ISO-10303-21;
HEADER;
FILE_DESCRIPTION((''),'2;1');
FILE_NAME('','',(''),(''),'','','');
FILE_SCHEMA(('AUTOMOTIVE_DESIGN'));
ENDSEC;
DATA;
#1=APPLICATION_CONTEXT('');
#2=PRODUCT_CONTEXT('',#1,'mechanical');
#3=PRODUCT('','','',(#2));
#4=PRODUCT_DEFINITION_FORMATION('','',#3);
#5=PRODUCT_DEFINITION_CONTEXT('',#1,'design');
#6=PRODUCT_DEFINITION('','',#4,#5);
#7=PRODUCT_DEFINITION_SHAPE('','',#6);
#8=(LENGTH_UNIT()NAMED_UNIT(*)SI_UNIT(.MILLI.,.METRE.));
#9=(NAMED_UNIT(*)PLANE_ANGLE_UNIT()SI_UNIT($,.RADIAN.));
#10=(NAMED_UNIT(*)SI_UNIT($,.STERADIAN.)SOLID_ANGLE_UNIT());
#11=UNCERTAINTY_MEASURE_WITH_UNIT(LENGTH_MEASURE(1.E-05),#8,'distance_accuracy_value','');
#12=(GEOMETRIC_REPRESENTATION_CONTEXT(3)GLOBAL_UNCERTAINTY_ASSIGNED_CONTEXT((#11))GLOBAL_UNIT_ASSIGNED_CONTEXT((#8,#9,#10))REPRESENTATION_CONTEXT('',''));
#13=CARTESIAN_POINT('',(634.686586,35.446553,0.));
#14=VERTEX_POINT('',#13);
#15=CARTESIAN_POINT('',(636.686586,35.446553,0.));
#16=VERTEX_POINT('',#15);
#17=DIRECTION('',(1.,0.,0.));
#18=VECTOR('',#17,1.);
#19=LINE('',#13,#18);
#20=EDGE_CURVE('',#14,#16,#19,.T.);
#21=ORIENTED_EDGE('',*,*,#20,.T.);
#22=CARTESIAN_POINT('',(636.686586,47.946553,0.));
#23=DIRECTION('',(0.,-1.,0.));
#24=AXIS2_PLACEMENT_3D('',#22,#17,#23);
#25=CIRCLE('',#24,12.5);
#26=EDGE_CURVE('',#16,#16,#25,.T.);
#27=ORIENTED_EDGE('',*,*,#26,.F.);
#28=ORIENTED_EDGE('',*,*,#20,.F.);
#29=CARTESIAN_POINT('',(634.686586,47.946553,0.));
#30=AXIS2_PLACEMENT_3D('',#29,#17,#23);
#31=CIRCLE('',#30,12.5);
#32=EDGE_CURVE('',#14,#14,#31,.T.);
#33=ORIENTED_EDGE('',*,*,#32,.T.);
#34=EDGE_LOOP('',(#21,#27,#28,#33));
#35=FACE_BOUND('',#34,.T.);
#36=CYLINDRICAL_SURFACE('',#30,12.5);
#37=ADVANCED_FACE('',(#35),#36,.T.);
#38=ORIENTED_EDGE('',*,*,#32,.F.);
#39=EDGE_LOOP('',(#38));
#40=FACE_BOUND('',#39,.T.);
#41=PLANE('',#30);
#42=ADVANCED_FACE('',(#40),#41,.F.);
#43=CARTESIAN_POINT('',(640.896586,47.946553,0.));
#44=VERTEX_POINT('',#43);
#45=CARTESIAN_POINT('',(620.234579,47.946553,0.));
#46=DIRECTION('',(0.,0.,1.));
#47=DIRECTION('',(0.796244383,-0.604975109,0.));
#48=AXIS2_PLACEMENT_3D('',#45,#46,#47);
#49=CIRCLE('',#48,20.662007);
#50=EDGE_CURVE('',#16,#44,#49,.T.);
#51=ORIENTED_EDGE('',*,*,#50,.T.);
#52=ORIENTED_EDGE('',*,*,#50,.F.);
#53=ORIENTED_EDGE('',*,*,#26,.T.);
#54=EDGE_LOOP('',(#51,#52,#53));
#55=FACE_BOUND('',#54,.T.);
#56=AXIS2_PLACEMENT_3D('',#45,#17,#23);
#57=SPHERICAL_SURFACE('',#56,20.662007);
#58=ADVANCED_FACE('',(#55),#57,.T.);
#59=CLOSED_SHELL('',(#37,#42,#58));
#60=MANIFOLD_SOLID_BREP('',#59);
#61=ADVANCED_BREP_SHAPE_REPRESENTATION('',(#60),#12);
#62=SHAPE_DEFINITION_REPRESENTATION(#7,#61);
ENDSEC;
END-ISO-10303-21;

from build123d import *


with BuildPart() as part:
    # 草图1 → 旋转1 (revolve)
    with BuildSketch(Plane.XY, mode=Mode.PRIVATE) as revolve_1_sk:
        with BuildLine():
            Line((634.686585925, 47.946553126), (634.686585925, 60.446553126))
            Line((634.686585925, 60.446553126), (636.686585925, 60.446553126))
            ThreePointArc((636.686585925, 60.446553126), (639.815820167, 54.541515218), (640.896585925, 47.946553126))
            Line((640.896585925, 47.946553126), (634.686585925, 47.946553126))
        make_face()
    revolve(revolve_1_sk.sketch.rotate(Axis((632.657478347, 47.946553126, 0), (1, 0, 0)), 180), axis=Axis((632.657478347, 47.946553126, 0), (1, 0, 0)))  # turned: the seam where the file's is


solid = part.part
